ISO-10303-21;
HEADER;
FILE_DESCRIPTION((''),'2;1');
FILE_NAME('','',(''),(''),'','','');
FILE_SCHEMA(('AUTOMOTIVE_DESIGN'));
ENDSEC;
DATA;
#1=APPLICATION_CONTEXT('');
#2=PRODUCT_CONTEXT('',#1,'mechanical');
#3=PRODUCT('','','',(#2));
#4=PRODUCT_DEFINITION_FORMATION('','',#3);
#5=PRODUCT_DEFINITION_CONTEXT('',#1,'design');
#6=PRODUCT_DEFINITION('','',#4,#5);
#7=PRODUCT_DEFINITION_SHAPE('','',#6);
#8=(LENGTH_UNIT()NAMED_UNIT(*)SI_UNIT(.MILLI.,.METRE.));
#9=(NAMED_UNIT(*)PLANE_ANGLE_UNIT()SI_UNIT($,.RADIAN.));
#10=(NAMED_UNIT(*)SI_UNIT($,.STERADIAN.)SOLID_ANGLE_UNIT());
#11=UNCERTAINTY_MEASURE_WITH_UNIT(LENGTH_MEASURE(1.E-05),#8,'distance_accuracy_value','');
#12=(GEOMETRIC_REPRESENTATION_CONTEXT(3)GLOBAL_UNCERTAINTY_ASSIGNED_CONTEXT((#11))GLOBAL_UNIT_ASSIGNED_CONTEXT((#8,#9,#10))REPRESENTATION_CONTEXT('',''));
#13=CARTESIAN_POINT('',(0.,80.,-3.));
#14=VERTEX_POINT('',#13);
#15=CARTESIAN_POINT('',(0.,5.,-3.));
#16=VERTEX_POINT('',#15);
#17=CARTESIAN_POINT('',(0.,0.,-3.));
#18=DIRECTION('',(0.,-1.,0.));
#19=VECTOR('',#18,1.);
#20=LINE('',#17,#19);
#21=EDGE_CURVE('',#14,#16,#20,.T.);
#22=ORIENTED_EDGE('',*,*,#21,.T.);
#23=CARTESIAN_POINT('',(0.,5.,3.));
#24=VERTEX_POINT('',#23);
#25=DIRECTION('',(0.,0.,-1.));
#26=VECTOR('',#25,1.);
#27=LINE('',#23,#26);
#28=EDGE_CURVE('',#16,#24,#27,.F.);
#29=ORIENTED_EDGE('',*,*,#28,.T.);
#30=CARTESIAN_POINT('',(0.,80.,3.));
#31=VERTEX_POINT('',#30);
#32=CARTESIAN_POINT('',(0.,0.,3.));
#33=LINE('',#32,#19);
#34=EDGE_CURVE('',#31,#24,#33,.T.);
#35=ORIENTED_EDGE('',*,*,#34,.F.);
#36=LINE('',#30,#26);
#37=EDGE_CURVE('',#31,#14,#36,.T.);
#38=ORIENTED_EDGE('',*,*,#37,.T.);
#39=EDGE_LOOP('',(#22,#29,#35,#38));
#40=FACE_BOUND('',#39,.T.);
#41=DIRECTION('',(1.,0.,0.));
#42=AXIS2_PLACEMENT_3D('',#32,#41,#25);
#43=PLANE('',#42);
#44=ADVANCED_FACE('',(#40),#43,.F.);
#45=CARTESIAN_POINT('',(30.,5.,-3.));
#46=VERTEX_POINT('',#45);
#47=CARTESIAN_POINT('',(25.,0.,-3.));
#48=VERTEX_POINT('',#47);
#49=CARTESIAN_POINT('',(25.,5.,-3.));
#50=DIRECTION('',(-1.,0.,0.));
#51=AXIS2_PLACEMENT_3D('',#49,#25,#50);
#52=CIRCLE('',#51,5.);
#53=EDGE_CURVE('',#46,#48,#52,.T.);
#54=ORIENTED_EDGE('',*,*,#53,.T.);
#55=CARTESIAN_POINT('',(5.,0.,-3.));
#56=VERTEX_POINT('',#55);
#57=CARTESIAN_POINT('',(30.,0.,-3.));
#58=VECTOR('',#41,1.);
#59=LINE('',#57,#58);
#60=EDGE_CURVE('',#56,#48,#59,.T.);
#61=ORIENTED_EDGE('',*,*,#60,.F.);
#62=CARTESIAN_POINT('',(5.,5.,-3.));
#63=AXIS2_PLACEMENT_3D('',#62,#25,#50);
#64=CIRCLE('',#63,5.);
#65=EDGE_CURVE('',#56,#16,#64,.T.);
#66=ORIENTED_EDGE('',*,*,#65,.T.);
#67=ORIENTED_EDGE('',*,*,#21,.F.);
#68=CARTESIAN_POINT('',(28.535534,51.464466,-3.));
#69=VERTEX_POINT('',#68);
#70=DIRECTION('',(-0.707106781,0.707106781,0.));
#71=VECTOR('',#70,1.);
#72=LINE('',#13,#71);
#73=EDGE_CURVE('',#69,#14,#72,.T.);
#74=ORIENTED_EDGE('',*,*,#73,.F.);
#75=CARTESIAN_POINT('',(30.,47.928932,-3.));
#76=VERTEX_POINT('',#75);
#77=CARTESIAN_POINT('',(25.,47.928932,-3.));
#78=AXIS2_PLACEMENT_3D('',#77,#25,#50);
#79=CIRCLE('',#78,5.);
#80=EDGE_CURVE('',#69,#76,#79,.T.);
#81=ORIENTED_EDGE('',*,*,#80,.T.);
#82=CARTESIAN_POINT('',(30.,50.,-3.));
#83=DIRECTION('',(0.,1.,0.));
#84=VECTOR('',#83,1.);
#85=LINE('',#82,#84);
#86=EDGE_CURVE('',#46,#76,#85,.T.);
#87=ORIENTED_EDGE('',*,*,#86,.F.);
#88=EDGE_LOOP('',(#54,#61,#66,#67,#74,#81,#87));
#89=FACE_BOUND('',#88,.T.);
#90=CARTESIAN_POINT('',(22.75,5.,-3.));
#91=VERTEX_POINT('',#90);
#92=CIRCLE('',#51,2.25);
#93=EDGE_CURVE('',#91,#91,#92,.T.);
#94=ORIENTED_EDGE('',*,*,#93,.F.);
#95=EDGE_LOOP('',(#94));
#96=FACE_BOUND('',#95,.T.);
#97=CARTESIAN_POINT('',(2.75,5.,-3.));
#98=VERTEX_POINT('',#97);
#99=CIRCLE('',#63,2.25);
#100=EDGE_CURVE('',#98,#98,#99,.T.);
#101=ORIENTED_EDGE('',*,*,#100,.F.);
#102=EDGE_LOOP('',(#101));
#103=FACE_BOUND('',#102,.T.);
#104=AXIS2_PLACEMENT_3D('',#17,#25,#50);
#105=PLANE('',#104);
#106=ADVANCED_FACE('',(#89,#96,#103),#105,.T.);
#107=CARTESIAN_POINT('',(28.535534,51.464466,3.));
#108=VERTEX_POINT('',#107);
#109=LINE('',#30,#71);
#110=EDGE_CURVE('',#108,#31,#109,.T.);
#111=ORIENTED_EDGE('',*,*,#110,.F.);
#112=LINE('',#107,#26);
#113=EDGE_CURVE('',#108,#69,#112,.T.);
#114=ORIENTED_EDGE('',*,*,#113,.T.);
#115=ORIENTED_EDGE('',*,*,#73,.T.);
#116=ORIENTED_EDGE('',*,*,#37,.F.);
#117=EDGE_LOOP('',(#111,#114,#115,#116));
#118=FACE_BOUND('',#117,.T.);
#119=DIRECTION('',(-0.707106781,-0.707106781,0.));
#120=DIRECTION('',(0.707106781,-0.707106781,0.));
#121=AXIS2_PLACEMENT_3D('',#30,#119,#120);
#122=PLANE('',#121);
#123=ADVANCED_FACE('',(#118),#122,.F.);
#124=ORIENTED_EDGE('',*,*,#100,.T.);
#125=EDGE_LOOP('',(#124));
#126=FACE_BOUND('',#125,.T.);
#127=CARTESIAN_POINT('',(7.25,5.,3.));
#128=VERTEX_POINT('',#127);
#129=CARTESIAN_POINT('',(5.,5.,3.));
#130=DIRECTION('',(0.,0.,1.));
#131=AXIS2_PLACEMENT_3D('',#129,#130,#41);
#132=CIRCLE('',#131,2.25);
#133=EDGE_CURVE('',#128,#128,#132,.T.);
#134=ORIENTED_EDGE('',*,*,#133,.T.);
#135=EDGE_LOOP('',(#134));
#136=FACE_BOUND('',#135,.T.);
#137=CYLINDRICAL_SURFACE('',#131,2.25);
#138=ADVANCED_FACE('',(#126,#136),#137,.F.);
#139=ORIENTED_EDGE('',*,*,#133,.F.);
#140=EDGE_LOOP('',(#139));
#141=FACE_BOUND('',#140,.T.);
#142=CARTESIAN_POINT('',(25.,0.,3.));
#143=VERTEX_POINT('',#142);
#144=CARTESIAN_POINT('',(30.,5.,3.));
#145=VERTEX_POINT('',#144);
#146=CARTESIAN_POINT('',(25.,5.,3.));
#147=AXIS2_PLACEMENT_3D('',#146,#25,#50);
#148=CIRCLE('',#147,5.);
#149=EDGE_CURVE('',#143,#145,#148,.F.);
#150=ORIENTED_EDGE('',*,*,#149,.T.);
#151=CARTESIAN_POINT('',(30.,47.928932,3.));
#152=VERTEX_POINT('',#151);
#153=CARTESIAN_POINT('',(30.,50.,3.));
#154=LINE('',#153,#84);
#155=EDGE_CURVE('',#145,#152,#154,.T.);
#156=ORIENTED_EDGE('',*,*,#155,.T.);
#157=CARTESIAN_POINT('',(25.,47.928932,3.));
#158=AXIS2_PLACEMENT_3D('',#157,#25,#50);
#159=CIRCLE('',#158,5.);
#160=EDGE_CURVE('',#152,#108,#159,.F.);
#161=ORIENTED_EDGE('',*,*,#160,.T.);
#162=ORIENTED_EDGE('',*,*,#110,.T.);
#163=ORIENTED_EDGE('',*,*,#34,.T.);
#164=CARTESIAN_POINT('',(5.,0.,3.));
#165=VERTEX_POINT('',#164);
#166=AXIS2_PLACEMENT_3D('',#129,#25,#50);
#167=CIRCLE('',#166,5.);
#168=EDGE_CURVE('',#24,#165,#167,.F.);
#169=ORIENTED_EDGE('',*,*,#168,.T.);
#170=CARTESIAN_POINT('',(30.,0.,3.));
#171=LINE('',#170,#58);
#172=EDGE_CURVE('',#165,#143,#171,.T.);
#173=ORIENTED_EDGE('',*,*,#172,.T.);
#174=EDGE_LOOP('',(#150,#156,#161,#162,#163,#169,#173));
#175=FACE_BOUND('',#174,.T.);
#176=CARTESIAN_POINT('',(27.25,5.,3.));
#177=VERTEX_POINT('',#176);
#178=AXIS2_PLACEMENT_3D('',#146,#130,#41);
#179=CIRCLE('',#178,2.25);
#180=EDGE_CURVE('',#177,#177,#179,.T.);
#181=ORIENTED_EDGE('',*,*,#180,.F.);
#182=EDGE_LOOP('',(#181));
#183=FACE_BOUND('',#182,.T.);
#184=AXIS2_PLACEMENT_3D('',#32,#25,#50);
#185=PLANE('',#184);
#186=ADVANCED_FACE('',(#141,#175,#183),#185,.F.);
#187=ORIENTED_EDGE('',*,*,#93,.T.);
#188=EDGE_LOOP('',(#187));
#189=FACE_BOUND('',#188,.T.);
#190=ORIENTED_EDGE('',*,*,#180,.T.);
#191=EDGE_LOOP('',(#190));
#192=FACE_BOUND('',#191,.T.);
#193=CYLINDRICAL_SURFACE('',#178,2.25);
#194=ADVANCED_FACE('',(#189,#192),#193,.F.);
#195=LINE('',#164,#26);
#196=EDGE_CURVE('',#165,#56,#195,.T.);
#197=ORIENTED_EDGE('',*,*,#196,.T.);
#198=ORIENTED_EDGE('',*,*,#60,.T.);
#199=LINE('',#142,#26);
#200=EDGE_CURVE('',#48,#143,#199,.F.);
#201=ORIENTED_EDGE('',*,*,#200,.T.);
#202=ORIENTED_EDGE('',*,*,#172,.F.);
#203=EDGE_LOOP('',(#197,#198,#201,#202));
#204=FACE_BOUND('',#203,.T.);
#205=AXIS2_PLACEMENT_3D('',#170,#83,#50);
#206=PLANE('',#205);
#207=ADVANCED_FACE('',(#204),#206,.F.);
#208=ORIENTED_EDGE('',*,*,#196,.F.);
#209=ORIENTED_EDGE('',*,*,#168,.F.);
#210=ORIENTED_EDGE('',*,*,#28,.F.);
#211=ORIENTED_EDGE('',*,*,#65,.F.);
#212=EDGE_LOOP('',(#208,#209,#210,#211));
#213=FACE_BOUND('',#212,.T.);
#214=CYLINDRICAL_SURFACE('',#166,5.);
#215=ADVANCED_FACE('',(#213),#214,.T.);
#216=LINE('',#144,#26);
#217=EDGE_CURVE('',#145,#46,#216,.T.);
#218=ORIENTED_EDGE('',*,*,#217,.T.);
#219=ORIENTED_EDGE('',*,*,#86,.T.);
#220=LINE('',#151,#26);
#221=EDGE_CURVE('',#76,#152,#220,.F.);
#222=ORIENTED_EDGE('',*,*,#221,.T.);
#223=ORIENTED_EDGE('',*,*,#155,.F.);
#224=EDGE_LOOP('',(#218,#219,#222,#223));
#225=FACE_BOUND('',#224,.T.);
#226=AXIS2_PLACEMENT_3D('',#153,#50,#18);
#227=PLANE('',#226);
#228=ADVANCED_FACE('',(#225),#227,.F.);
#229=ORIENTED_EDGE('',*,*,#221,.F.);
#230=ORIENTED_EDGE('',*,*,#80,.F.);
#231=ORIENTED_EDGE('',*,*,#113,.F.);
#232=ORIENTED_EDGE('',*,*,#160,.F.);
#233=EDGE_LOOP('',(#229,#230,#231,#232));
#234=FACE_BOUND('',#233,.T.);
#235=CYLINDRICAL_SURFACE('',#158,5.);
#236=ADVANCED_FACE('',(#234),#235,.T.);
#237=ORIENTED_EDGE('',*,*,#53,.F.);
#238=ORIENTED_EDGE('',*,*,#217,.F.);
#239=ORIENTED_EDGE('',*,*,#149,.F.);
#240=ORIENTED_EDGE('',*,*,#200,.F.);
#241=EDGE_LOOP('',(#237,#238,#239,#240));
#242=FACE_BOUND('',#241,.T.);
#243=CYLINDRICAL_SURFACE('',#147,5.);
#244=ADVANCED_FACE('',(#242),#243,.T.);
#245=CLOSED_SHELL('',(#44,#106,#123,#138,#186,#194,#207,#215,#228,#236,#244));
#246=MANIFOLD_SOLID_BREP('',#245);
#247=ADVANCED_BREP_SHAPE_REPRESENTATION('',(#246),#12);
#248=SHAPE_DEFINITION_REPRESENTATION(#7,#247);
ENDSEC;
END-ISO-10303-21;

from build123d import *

# Parameters (mm, degrees)
SALIENTE_EXTRUIR1_DEPTH      = 3
TALADRO_DE_MARGEN_PARA_M41_D = 4.5
REDONDEO1_R                  = 5


with BuildPart() as part:
    # Croquis1 → Saliente-Extruir1 (new, symmetric)
    with BuildSketch(Plane.XY):
        Polygon((0, 0), (0, 80), (30, 50), (30, 0), align=None)
    extrude(amount=SALIENTE_EXTRUIR1_DEPTH, both=True)

    # Taladro de margen para M41 (through all)
    with Locations(Plane.XY.offset(3)):
        with Locations((5, 5), (25, 5)):
            Hole(TALADRO_DE_MARGEN_PARA_M41_D / 2)

    # Redondeo1
    redondeo1_edges = [part.edges().sort_by_distance(p)[0] for p in [
        (0, 0, 0),
        (30, 50, 0),
        (30, 0, 0),
    ]]
    fillet(redondeo1_edges, radius=REDONDEO1_R)


solid = part.part
